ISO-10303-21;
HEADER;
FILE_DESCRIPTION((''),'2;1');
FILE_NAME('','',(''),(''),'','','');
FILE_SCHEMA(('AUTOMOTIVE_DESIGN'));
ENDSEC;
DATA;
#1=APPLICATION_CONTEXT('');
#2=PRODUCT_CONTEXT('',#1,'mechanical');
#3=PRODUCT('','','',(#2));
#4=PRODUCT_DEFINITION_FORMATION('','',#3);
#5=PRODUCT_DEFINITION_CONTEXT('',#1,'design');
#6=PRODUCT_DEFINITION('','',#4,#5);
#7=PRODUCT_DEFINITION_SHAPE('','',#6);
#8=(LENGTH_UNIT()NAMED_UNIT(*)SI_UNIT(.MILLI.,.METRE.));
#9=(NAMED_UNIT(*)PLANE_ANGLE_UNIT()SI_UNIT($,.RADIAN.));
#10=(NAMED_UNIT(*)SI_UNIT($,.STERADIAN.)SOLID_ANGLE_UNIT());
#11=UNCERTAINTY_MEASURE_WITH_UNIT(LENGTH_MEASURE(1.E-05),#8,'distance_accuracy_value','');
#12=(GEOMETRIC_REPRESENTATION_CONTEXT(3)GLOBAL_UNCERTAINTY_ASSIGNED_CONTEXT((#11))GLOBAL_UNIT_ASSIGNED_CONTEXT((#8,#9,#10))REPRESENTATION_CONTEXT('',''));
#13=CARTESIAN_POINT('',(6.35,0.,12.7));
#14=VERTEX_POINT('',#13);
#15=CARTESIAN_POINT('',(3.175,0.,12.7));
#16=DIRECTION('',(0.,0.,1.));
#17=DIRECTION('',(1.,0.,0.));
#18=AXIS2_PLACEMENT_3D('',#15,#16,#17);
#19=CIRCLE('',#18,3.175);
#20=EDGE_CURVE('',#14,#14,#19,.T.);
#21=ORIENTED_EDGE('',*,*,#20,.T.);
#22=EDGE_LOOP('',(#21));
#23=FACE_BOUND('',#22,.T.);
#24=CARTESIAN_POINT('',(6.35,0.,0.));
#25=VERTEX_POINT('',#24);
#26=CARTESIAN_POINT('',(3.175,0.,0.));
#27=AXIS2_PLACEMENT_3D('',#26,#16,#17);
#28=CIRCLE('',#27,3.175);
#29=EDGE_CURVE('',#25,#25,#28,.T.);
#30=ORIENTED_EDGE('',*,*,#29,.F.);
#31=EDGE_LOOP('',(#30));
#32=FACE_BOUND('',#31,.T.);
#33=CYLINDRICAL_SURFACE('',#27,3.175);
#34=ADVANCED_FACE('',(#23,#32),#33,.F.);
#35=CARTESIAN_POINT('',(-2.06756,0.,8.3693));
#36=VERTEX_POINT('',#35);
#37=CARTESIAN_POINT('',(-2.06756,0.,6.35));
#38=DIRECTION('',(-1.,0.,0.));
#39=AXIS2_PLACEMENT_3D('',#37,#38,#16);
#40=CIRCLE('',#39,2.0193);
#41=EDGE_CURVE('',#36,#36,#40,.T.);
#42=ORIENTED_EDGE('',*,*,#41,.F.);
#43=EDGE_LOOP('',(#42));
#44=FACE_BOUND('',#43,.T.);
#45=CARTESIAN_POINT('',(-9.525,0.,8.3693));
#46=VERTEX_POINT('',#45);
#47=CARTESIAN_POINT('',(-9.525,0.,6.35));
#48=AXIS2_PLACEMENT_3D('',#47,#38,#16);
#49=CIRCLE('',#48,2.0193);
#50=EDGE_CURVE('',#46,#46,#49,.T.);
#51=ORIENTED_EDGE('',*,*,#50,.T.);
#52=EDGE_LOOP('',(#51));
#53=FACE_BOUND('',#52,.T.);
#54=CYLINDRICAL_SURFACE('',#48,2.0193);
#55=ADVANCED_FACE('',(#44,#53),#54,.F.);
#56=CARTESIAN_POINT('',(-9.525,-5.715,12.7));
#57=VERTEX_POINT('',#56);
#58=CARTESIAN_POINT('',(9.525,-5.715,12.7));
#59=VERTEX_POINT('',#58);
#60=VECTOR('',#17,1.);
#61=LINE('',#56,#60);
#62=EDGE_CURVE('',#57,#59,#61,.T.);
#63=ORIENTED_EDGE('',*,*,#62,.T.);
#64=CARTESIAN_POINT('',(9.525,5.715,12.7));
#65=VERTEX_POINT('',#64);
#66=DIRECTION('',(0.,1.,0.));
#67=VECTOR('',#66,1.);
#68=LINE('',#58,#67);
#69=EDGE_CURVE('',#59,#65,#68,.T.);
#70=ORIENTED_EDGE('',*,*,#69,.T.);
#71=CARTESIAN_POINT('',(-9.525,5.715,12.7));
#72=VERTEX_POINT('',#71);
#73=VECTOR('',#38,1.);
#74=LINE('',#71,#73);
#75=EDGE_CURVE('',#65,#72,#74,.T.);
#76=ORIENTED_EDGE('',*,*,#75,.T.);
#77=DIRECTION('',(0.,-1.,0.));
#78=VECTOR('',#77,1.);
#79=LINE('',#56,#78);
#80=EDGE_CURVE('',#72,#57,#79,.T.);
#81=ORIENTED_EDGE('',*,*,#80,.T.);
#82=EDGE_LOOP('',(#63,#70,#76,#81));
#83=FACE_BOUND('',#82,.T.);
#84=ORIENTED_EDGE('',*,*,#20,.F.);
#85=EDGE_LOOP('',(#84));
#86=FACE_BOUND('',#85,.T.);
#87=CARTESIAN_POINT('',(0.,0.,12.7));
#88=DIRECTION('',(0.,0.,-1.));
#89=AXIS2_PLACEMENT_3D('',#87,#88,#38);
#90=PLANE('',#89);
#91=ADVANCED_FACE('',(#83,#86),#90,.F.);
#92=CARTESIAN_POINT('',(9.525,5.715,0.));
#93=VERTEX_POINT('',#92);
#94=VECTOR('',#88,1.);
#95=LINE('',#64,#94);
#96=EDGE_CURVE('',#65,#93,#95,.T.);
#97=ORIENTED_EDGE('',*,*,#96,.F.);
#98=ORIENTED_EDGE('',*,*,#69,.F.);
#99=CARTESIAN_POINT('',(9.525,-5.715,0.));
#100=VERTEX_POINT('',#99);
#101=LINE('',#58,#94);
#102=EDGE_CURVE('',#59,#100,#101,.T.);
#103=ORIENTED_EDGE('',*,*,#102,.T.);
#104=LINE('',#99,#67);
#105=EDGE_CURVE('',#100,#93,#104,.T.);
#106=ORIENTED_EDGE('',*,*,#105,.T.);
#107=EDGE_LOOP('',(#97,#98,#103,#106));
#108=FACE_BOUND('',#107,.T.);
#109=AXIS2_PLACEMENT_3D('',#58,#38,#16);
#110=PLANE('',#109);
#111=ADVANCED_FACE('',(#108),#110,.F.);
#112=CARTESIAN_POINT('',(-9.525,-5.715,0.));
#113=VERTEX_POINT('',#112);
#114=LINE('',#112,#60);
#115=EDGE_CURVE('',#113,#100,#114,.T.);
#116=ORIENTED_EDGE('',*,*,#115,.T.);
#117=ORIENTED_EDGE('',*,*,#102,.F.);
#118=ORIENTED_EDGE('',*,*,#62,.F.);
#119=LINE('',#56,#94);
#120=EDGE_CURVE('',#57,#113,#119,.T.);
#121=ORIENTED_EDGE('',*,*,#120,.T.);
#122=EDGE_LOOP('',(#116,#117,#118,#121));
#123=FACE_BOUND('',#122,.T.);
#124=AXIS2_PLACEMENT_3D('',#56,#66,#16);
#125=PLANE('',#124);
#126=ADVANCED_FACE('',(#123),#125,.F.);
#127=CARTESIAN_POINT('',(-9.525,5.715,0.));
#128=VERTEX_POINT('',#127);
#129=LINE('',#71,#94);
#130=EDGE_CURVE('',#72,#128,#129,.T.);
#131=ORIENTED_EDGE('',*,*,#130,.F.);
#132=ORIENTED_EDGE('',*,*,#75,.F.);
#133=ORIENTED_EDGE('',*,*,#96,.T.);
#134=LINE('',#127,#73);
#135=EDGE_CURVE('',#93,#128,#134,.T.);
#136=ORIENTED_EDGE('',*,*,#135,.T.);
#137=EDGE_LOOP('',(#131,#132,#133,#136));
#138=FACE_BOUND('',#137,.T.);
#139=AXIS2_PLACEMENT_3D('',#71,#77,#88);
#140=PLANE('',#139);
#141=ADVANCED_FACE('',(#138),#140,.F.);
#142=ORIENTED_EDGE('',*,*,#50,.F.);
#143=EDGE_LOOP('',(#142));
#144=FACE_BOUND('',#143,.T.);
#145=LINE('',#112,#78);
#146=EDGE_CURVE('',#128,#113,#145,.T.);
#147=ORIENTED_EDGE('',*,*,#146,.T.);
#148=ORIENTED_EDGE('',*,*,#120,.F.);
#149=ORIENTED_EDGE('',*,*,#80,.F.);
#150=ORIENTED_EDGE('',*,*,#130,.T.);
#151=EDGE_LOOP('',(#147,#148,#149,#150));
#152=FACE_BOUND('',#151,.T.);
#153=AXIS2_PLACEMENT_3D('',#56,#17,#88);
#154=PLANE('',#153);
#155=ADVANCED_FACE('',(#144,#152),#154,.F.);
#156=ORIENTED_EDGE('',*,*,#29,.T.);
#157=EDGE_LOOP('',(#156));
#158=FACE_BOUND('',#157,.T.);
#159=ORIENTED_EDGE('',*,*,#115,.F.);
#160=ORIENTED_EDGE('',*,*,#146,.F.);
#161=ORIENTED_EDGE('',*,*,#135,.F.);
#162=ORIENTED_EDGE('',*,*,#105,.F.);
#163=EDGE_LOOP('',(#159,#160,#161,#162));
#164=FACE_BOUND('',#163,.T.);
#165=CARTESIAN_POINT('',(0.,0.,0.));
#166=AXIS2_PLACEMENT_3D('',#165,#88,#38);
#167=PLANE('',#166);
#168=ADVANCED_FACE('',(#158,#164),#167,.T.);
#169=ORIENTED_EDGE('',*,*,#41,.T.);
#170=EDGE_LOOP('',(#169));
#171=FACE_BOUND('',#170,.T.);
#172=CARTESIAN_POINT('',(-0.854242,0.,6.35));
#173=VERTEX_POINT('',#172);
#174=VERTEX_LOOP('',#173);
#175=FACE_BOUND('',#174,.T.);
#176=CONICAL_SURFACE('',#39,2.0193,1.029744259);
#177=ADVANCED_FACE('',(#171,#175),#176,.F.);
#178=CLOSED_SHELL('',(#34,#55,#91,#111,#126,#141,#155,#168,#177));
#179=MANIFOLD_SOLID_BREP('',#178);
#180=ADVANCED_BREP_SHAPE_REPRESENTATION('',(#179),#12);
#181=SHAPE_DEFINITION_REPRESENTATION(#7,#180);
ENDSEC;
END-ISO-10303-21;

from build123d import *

# Parameters (mm, degrees)
SKETCH1_W                  = 19.05
SKETCH1_H                  = 11.43
BOSS_EXTRUDE1_DEPTH        = 12.7
SKETCH3_R                  = 3.175
CUT_EXTRUDE1_DEPTH         = 17.872369425
F_10_32_TAPPED_HOLE3_D     = 4.0386
F_10_32_TAPPED_HOLE3_DEPTH = 7.45744
F_10_32_TAPPED_HOLE3_TIP   = 1.213317848


with BuildPart() as part:
    # Sketch1 → Boss-Extrude1 (new body)
    with BuildSketch(Plane.XY):
        Rectangle(SKETCH1_W, SKETCH1_H)
    extrude(amount=BOSS_EXTRUDE1_DEPTH)

    # Sketch3 → Cut-Extrude1 (cut, through all)
    with BuildSketch(Plane.XY.offset(12.7)):
        with Locations((3.175, 0)):
            Circle(SKETCH3_R)
    extrude(amount=-CUT_EXTRUDE1_DEPTH, mode=Mode.SUBTRACT)

    # #10-32 Tapped Hole3
    with Locations(Plane(origin=(-9.525, 0, 6.35), x_dir=(0, 0, -1), z_dir=(-1, 0, 0))):
        with Locations((0, 0)):
            Hole(F_10_32_TAPPED_HOLE3_D / 2, depth=F_10_32_TAPPED_HOLE3_DEPTH)
            with Locations((0, 0, -(F_10_32_TAPPED_HOLE3_DEPTH + F_10_32_TAPPED_HOLE3_TIP / 2))):  # 118° drill point
                Cone(0, F_10_32_TAPPED_HOLE3_D / 2, F_10_32_TAPPED_HOLE3_TIP, mode=Mode.SUBTRACT)


solid = part.part
